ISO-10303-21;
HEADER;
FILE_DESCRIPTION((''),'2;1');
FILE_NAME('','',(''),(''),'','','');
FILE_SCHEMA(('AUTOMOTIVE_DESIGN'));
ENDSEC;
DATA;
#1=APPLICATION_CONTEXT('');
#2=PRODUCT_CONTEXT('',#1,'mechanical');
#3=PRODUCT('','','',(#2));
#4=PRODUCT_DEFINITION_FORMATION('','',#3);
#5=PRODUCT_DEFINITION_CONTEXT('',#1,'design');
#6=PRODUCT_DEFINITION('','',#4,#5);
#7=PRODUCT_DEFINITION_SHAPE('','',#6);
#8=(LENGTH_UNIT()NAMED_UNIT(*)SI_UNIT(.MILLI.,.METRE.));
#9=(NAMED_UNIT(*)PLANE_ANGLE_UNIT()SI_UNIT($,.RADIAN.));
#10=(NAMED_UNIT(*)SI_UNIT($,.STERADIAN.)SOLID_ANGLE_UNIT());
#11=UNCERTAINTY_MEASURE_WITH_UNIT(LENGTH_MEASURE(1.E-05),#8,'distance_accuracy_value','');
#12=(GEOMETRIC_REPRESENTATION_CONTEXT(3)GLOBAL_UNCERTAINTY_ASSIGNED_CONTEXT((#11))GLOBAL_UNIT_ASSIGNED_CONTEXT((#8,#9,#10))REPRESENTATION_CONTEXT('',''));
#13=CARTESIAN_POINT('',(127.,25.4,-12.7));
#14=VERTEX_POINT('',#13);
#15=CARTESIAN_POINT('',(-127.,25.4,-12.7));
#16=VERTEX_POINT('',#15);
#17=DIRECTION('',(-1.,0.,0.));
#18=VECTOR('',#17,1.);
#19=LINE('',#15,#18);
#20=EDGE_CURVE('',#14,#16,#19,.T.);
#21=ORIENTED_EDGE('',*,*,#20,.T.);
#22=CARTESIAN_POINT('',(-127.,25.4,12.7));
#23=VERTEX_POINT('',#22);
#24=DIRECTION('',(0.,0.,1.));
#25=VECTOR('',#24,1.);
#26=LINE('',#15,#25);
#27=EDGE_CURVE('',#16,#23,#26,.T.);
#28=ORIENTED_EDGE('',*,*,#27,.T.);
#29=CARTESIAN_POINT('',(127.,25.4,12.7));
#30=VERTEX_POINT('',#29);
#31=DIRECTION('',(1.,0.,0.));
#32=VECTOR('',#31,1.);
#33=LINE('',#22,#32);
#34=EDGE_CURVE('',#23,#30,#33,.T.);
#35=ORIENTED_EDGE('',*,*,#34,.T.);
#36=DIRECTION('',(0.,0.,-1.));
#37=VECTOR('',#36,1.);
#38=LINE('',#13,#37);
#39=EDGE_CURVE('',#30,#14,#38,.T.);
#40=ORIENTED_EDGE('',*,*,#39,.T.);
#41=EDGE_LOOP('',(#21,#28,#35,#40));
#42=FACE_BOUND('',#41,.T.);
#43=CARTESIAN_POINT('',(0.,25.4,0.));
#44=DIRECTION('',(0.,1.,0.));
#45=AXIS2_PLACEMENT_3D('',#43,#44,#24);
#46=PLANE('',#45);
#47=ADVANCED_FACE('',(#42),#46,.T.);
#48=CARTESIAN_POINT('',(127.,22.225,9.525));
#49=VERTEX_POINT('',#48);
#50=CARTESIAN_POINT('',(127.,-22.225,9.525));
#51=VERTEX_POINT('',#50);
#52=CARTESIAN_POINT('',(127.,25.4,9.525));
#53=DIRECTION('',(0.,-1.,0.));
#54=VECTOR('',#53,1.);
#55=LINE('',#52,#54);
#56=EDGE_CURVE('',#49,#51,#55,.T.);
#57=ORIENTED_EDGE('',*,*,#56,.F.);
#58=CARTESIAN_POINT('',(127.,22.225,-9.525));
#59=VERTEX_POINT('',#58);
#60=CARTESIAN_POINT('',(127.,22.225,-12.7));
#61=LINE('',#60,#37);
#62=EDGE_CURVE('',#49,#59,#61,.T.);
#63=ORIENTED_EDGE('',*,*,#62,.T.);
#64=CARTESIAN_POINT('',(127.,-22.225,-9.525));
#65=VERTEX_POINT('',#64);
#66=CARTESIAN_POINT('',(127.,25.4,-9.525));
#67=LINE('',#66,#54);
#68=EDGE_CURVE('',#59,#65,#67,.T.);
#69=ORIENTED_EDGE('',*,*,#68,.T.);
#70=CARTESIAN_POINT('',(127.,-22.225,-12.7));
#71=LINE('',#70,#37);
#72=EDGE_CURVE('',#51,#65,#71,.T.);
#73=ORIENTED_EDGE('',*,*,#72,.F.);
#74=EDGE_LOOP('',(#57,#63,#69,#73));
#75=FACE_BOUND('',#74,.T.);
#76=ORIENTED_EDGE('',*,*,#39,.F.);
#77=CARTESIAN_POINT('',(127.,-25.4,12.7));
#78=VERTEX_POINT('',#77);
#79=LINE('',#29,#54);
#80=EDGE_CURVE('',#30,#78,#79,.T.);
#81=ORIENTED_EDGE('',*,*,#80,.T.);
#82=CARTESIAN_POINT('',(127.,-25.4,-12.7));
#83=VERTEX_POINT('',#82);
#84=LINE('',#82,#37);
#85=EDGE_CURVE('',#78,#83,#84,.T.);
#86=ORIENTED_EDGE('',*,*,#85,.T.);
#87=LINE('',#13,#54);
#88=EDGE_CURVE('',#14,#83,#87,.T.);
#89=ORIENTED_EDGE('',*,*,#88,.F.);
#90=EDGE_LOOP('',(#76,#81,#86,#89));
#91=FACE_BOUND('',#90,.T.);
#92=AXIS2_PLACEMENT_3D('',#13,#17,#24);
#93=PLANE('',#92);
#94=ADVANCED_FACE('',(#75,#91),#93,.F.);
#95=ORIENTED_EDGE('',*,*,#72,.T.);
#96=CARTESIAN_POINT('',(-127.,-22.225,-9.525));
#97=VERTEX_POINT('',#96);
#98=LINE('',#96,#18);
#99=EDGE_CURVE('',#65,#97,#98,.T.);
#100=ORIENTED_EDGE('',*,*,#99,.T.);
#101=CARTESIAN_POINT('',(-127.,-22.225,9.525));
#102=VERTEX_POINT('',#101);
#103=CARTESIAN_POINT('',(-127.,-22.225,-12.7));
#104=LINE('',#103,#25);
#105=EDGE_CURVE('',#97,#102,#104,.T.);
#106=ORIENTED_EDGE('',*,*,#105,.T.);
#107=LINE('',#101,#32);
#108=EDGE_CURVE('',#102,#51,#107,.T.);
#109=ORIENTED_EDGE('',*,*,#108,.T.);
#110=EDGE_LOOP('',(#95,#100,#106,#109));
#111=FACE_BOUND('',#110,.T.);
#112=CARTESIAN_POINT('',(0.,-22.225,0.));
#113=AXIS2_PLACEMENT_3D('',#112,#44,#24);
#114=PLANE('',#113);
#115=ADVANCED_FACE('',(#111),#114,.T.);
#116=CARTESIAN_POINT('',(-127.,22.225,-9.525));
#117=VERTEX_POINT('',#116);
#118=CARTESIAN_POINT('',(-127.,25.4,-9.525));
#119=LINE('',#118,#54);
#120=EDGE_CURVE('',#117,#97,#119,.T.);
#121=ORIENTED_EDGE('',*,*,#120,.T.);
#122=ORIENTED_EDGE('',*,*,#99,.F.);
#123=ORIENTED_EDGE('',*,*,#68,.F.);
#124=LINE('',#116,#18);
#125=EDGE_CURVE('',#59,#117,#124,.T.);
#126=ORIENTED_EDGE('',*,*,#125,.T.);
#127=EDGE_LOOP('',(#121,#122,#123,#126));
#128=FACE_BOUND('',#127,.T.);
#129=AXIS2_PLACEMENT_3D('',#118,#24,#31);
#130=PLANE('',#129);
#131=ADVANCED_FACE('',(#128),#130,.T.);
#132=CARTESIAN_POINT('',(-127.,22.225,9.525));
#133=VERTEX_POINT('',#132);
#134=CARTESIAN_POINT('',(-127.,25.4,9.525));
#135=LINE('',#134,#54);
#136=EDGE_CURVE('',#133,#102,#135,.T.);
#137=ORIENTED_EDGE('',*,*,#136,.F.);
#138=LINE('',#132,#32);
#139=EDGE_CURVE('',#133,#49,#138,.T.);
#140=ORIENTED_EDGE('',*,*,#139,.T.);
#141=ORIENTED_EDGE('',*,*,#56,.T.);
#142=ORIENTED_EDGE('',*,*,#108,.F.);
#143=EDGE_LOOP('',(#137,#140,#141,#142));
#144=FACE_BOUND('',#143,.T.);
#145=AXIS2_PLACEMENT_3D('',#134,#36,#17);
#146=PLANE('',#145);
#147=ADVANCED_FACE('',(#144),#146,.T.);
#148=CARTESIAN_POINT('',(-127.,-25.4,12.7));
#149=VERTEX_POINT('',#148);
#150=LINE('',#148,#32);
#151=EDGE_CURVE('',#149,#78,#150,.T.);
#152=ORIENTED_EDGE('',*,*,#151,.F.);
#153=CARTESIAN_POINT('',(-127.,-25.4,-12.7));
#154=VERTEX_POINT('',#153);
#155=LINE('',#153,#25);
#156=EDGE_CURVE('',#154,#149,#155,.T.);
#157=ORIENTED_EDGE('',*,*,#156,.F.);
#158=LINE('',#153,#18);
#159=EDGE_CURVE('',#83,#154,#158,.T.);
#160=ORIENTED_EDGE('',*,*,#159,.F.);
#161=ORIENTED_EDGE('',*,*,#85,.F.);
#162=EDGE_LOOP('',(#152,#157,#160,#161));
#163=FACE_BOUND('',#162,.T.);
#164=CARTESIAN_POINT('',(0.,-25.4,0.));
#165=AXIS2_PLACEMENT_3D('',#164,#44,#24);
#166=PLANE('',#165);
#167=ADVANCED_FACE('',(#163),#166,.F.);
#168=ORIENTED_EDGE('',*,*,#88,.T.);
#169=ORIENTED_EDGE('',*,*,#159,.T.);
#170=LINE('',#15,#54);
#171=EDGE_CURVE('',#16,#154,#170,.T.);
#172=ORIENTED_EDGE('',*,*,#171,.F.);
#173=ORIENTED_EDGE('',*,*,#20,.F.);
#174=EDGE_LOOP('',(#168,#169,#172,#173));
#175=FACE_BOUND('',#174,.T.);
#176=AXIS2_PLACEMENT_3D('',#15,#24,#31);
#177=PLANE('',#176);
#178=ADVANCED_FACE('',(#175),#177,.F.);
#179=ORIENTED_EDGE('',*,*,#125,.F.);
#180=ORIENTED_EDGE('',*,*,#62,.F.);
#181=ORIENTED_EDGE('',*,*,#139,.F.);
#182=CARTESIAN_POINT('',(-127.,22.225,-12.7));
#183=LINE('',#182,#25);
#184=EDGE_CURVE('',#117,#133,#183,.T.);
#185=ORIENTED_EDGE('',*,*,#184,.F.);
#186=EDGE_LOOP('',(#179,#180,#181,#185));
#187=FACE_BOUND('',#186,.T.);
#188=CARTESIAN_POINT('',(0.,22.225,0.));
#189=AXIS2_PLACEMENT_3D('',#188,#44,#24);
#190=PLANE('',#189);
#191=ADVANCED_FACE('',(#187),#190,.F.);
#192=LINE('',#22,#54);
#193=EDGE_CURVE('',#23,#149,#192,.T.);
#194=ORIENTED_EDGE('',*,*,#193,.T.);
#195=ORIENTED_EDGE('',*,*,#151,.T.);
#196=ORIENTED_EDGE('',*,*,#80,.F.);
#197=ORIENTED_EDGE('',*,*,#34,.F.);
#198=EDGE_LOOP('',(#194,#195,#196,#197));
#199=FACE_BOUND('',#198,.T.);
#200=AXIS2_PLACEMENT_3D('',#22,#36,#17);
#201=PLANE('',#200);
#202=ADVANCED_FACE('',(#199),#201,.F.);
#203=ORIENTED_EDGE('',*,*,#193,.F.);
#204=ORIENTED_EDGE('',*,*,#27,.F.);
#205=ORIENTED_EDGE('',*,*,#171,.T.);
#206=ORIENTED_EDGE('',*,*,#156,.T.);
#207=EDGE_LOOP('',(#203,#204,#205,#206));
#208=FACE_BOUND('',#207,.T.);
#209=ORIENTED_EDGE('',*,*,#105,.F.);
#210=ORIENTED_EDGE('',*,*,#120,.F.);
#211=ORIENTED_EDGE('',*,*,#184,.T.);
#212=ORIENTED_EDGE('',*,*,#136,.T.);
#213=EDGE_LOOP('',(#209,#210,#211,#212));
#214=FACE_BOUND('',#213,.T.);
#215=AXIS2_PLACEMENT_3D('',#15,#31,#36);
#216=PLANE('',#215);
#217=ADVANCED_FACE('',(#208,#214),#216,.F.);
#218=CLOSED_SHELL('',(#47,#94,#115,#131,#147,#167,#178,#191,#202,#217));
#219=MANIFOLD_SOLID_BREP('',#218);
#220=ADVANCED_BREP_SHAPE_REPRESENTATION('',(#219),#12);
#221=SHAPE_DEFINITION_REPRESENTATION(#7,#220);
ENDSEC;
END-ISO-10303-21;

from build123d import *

# Parameters (mm, degrees)
SKETCH1_W           = 254
SKETCH1_H           = 25.4
BOSS_EXTRUDE1_DEPTH = 25.4
SHELL1_T            = -3.175


with BuildPart() as part:
    # Sketch1 → Boss-Extrude1 (new body, symmetric)
    with BuildSketch(Plane(origin=(0, 0, 0), x_dir=(1, 0, 0), z_dir=(0, 1, 0))):
        Rectangle(SKETCH1_W, SKETCH1_H)
    extrude(amount=BOSS_EXTRUDE1_DEPTH, both=True)

    # Shell1
    shell1_openings = [part.faces().sort_by_distance(p)[0] for p in [
        (-127, 0, 0),
        (127, 0, 0),
    ]]
    offset(amount=SHELL1_T, openings=shell1_openings, kind=Kind.INTERSECTION)


solid = part.part
